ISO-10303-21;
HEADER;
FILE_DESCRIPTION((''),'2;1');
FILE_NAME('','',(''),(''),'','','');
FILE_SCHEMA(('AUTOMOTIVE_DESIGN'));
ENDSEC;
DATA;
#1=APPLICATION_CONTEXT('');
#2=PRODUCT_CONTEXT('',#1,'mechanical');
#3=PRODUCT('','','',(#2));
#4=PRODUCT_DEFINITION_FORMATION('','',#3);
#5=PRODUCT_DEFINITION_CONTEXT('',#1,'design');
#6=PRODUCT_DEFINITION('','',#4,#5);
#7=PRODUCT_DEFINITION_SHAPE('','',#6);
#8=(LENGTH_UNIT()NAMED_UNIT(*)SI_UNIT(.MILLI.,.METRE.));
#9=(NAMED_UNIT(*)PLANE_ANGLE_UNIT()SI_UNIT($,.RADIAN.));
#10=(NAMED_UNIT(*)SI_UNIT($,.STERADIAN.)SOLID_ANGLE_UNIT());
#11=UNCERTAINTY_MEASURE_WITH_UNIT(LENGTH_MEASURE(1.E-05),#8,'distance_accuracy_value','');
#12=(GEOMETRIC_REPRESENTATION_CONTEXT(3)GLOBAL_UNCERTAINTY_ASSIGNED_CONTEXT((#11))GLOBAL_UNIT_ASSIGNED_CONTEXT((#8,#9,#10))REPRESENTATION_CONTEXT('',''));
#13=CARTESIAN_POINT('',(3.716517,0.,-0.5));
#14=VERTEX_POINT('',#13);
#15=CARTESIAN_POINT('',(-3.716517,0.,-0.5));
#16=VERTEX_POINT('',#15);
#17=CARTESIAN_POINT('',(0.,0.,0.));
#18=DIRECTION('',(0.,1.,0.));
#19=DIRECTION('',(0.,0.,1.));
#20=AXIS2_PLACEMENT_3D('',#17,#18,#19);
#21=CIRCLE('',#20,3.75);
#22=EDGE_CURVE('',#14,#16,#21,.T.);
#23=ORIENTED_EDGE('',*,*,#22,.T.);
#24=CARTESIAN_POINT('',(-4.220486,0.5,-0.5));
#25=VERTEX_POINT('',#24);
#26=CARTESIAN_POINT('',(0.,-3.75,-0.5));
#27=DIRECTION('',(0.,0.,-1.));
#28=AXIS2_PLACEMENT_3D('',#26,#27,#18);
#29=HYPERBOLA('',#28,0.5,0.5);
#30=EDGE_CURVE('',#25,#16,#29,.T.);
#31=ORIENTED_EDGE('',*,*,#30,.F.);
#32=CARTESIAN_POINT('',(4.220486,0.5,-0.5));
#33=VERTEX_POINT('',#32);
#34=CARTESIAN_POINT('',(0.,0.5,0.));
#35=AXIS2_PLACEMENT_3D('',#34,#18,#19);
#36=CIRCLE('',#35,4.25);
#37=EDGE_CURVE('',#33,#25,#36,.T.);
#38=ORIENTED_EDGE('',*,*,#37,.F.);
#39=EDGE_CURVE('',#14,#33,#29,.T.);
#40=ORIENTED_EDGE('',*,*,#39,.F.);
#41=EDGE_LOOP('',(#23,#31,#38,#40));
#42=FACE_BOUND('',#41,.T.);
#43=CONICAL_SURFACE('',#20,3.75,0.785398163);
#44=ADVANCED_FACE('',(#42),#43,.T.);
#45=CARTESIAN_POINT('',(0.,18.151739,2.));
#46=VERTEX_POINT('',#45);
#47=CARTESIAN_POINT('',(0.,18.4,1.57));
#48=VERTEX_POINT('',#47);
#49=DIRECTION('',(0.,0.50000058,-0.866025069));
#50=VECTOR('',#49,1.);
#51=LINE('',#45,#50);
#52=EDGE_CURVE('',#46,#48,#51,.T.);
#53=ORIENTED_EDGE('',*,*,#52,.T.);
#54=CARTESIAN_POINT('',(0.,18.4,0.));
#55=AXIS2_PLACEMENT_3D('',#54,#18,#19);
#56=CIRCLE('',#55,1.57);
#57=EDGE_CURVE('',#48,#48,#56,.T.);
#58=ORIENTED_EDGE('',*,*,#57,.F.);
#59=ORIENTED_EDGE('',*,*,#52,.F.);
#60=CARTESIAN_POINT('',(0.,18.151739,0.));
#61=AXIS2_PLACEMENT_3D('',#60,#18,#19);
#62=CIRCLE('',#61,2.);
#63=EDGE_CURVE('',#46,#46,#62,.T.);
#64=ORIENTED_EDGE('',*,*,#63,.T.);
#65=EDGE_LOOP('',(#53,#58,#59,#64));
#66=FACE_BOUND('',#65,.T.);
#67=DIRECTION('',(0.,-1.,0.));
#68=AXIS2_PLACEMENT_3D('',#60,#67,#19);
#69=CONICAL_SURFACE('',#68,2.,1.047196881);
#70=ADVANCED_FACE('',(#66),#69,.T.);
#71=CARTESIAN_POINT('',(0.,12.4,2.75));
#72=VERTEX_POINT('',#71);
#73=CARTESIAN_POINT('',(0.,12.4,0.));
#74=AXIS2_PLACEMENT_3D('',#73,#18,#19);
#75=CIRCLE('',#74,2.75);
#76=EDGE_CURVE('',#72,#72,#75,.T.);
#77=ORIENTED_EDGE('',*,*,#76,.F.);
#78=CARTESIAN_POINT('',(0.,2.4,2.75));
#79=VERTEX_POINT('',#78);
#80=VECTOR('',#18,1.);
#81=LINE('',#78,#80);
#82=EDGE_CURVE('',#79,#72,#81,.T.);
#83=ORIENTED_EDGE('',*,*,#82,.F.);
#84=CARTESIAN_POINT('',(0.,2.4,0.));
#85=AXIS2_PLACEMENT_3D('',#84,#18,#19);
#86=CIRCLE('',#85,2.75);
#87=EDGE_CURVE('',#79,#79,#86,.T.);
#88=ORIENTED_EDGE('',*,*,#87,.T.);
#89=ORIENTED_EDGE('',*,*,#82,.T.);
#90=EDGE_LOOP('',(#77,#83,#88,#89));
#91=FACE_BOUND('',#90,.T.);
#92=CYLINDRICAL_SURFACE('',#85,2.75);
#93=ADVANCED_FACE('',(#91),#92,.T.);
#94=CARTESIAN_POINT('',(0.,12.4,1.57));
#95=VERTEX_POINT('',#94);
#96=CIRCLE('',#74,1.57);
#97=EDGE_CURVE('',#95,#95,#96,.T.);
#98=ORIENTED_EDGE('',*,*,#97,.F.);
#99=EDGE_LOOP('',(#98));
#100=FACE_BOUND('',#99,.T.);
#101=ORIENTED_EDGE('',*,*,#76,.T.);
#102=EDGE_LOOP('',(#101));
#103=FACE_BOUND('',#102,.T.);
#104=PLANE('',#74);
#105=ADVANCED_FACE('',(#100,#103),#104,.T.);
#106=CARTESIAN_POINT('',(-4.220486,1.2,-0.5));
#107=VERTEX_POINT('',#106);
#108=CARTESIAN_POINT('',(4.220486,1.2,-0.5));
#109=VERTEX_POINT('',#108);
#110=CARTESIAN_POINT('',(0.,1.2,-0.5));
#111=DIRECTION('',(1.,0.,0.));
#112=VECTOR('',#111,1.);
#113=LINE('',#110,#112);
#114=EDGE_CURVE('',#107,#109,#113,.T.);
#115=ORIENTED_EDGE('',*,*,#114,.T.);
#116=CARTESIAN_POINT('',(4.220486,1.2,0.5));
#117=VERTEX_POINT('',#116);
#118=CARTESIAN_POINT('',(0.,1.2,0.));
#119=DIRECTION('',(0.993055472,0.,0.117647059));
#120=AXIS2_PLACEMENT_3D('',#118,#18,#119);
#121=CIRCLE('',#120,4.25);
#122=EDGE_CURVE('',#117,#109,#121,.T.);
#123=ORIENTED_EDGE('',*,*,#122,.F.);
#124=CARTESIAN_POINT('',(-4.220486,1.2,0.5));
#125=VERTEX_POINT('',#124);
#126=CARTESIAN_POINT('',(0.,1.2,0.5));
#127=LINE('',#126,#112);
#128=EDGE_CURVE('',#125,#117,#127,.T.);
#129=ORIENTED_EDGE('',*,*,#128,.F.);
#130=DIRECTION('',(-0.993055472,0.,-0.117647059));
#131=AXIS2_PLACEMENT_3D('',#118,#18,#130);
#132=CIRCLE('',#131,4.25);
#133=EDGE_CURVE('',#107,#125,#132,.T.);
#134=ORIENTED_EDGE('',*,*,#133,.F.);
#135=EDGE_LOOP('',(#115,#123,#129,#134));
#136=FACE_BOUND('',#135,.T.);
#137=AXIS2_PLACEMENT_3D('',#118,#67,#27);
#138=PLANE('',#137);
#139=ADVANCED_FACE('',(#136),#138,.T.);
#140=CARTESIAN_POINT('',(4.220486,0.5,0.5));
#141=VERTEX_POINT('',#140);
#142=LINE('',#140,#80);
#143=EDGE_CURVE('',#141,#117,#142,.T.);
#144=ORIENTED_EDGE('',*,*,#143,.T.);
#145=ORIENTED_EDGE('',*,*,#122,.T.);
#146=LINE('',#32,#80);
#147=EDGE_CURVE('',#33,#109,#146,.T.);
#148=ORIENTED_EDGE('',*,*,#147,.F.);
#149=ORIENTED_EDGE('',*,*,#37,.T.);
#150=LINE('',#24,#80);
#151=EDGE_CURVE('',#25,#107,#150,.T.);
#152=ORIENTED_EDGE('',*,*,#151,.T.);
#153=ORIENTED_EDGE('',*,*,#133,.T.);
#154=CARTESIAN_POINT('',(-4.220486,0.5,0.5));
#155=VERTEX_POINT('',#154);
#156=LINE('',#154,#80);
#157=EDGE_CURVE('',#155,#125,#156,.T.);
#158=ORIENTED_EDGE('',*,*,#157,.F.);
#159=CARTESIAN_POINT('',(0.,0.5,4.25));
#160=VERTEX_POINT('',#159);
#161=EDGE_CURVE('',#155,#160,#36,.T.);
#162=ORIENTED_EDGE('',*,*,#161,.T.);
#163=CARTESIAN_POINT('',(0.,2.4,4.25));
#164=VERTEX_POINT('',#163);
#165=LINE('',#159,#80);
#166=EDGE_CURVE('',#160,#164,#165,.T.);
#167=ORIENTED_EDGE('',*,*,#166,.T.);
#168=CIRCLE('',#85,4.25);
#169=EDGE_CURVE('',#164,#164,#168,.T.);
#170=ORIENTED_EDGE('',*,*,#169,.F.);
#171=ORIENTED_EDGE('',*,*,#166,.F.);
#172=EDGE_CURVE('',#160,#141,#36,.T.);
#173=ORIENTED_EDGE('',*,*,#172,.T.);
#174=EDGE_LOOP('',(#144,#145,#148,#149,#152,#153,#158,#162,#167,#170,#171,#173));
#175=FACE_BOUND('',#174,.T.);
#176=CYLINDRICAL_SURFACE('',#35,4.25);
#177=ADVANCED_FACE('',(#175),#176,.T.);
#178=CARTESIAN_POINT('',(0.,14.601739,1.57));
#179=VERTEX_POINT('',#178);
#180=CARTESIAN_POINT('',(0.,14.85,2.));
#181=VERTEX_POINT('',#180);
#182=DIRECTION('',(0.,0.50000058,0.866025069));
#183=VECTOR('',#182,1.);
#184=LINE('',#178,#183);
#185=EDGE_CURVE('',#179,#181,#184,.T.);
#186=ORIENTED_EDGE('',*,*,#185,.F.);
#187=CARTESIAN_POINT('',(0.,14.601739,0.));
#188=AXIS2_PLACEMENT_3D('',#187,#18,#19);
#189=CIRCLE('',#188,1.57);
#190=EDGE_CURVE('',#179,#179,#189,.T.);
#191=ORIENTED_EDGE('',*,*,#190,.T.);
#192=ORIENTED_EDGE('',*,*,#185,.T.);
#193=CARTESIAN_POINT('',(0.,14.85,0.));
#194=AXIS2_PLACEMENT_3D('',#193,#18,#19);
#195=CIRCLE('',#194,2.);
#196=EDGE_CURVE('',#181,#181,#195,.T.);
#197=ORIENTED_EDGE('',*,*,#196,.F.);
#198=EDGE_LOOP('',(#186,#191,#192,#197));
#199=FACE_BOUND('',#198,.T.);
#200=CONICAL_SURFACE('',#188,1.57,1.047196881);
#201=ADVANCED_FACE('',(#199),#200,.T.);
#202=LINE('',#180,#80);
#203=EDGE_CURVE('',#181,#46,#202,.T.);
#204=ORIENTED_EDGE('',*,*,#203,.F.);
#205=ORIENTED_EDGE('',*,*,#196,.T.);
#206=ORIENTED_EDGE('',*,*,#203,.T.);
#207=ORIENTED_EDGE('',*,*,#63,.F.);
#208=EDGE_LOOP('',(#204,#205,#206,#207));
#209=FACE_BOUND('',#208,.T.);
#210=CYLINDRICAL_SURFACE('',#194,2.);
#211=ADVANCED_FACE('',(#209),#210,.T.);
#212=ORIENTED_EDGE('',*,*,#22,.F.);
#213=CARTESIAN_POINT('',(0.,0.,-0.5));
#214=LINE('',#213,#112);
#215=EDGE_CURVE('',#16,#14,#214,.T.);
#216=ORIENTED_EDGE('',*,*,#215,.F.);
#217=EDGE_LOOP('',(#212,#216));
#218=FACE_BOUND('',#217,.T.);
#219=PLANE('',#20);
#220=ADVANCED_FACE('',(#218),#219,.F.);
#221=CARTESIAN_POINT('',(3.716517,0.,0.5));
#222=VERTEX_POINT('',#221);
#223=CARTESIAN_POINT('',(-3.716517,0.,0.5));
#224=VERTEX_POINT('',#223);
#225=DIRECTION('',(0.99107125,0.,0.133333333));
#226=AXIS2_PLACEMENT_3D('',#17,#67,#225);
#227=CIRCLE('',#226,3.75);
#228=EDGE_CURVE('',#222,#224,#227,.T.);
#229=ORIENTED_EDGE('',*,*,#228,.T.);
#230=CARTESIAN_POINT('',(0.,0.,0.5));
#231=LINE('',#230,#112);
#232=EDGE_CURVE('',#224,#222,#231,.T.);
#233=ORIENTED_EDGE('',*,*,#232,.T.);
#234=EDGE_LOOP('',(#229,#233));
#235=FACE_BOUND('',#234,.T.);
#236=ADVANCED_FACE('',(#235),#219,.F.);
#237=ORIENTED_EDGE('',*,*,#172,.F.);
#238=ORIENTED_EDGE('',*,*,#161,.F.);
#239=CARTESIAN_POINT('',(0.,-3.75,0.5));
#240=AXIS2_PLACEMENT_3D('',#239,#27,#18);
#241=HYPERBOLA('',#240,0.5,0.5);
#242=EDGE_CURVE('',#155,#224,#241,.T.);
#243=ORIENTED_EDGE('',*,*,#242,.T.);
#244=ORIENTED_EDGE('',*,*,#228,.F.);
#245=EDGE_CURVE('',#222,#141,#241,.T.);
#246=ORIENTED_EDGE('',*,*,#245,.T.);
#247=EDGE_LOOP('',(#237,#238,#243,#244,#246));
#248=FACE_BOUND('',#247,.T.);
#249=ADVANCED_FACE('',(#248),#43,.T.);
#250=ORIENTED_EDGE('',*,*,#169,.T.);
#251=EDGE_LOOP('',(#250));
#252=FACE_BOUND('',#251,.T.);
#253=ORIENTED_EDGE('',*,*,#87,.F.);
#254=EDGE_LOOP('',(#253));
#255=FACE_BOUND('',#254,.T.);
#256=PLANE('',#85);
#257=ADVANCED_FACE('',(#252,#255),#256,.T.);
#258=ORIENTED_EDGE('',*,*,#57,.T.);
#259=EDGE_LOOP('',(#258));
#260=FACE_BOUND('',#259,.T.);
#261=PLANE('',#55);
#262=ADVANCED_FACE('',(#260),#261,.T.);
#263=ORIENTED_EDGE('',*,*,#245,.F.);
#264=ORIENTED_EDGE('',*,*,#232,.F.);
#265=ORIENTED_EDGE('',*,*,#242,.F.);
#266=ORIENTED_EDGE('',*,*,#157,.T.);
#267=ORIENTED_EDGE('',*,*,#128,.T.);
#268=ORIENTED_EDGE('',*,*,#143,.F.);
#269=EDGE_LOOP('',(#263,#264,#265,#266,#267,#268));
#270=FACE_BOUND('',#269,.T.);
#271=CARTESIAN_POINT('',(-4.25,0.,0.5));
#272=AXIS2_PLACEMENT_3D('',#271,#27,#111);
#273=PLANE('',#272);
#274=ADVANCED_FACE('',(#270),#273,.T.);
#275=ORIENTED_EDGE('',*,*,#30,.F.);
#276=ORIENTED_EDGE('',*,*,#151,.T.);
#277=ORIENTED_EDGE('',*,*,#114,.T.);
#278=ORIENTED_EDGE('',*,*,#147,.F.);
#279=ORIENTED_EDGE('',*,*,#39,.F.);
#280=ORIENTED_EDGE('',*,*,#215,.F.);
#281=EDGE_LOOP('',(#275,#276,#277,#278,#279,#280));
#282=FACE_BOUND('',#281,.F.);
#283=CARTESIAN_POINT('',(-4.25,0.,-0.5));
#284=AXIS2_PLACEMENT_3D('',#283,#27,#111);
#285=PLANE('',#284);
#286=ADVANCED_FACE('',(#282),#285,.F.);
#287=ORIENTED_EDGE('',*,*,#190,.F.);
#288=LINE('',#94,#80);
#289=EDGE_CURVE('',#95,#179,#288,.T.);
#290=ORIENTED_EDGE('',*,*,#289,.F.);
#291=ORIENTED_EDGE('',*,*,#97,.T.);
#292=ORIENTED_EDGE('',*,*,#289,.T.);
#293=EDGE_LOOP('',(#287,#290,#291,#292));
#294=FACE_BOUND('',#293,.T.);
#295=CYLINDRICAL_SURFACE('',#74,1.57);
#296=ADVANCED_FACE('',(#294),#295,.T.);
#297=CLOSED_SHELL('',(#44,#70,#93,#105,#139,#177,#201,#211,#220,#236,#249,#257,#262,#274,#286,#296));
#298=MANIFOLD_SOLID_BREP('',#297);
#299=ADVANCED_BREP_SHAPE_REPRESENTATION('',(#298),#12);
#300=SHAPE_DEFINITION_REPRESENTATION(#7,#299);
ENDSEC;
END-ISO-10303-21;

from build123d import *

# Parameters (mm, degrees)
SKETCH001_W  = 1
SKETCH001_H  = 8.5
POCKET_DEPTH = 1.2


with BuildPart() as part:
    # Sketch → Revolution (revolve)
    with BuildSketch(Plane.YZ):
        Polygon((0, 0), (0, 3.75), (0.5, 4.25), (2.4, 4.25), (2.4, 2.75), (12.4, 2.75), (12.4, 1.57), (14.601739, 1.57), (14.85, 2), (18.151739, 2), (18.4, 1.57), (18.4, 0), align=None)
    revolve(axis=Axis((0, 0, 0), (0, 1, 0)))

    # Sketch001 → Pocket (cut)
    with BuildSketch(Plane(origin=(0, 0, 0), x_dir=(0, 0, -1), z_dir=(0, -1, 0))):
        Rectangle(SKETCH001_W, SKETCH001_H)
    extrude(amount=-POCKET_DEPTH, mode=Mode.SUBTRACT)


solid = part.part
